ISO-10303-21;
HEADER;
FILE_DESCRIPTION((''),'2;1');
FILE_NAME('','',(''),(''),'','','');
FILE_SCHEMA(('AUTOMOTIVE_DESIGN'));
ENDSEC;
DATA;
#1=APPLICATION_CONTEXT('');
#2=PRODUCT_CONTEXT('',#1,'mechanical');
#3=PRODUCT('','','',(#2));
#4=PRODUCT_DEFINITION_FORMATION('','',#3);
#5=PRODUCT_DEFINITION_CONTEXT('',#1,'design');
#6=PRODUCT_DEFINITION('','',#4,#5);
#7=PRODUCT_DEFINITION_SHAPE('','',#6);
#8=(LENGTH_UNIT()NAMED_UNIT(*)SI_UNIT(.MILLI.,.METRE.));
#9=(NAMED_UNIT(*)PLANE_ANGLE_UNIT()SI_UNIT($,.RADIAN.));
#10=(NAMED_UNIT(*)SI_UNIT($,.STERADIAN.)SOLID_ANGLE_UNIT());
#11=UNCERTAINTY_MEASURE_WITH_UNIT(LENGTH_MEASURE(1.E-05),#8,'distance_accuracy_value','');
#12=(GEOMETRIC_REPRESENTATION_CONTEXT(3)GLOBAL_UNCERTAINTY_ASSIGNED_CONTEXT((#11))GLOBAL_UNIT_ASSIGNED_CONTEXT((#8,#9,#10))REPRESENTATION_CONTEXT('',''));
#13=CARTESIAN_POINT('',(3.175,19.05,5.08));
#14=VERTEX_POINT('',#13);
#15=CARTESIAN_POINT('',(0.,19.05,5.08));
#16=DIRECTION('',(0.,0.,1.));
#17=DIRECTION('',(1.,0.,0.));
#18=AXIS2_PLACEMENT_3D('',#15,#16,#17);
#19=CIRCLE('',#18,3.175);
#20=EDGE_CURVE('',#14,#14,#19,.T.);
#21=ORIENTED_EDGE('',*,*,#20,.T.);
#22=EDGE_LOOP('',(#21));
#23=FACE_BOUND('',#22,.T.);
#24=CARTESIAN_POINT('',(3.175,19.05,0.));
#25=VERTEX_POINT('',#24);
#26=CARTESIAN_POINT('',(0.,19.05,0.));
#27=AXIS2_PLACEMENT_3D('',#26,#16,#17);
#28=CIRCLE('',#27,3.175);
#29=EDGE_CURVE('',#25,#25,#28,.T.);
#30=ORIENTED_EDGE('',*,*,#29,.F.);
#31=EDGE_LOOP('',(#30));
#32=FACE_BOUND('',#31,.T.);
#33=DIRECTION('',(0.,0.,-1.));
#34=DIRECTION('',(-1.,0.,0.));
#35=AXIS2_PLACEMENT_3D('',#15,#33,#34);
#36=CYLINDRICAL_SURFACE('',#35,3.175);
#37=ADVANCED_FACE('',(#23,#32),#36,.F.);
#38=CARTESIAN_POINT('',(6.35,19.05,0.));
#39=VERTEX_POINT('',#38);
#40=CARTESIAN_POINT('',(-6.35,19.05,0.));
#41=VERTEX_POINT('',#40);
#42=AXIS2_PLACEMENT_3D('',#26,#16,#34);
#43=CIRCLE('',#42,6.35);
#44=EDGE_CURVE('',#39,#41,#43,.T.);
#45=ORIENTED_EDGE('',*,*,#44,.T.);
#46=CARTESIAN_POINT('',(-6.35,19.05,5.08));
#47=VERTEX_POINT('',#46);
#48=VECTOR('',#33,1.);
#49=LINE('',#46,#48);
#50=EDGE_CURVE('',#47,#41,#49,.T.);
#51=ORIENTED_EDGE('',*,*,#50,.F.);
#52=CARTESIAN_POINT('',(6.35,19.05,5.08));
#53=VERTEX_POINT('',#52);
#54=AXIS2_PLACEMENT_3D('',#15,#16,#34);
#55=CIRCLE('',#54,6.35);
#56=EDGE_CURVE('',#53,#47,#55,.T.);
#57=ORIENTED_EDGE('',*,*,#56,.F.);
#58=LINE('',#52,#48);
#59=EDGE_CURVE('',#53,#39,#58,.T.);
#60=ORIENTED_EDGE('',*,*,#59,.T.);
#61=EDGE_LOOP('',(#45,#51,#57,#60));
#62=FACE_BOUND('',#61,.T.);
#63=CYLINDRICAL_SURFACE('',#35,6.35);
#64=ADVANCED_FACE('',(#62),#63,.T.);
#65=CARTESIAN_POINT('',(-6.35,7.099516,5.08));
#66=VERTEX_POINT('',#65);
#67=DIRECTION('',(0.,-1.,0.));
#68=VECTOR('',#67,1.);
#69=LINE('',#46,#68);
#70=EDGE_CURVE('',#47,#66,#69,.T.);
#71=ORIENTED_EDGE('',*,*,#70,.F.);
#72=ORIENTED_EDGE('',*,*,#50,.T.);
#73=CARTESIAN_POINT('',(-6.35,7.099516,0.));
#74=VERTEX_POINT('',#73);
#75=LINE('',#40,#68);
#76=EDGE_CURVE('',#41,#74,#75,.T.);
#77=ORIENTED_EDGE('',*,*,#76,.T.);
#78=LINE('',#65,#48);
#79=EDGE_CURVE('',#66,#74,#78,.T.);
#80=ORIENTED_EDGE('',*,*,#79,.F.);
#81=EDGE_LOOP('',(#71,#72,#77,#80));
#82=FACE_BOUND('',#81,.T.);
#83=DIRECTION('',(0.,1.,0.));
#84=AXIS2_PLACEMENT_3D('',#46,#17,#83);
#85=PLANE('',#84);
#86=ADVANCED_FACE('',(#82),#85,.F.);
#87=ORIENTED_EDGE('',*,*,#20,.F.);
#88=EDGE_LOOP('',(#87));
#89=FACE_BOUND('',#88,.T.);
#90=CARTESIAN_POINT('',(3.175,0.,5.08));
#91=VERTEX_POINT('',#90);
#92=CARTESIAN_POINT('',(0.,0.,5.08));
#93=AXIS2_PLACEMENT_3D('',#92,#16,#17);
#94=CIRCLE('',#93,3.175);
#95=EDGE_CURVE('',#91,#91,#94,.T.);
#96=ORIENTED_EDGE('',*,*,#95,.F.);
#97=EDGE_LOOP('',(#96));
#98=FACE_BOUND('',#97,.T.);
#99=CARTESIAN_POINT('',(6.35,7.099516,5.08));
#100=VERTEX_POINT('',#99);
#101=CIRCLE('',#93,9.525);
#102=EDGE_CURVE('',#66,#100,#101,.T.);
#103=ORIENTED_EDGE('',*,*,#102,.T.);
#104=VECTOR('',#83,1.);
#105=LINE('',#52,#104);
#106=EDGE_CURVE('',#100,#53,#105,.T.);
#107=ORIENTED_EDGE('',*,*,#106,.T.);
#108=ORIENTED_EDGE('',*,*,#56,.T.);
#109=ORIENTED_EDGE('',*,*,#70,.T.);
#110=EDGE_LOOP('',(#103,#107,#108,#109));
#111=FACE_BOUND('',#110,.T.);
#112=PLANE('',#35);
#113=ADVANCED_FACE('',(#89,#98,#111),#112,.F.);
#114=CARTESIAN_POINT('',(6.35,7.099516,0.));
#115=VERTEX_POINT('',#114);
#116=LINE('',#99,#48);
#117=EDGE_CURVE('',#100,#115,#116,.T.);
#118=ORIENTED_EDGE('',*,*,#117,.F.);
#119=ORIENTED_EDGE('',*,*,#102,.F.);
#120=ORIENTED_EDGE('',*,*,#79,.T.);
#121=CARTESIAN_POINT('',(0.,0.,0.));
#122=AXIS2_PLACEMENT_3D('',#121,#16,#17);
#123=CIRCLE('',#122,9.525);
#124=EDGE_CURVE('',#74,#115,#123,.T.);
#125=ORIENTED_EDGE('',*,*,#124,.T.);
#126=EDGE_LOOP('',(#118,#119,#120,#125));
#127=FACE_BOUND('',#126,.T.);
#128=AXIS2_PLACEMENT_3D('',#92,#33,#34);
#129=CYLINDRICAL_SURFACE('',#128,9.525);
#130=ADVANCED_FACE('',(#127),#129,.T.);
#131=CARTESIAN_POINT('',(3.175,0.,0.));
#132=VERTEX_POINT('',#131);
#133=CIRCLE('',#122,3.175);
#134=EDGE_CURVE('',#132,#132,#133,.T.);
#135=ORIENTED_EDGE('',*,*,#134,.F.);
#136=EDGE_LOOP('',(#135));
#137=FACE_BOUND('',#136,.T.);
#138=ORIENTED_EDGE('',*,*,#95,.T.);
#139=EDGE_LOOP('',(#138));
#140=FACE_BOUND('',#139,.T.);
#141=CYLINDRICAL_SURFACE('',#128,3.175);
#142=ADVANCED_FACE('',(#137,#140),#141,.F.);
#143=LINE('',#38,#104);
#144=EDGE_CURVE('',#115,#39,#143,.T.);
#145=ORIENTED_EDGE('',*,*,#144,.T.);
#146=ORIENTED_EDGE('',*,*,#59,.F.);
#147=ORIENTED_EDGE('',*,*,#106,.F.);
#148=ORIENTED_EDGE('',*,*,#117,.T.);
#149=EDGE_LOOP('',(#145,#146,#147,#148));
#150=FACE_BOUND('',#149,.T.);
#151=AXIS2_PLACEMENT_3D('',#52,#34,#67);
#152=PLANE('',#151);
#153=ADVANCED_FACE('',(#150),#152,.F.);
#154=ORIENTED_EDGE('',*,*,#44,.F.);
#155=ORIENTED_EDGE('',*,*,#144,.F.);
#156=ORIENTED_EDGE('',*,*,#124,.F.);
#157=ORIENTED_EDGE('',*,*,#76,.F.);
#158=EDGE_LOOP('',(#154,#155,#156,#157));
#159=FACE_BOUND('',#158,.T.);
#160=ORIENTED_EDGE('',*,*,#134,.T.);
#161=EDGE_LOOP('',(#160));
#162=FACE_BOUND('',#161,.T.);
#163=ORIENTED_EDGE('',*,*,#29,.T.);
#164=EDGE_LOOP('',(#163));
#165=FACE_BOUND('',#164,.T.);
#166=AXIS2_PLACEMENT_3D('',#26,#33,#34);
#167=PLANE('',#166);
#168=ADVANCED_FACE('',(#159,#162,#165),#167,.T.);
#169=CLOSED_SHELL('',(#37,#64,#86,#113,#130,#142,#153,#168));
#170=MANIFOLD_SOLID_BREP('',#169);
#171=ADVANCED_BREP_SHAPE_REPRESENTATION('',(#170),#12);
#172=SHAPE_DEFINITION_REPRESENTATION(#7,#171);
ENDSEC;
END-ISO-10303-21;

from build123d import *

# Parameters (mm, degrees)
SKETCH1_R           = 3.175
BOSS_EXTRUDE1_DEPTH = 5.08


with BuildPart() as part:
    # Sketch1 → Boss-Extrude1 (new body)
    with BuildSketch(Plane.XY):
        with BuildLine():
            Line((-6.35, 19.05), (-6.35, 7.099515829))
            ThreePointArc((-6.35, 7.099515829), (0, -9.525), (6.35, 7.099515829))
            Line((6.35, 7.099515829), (6.35, 19.05))
            ThreePointArc((6.35, 19.05), (0, 25.4), (-6.35, 19.05))
        make_face()
        with Locations((0, 19.05)):
            Circle(SKETCH1_R, mode=Mode.SUBTRACT)
        Circle(SKETCH1_R, mode=Mode.SUBTRACT)
    extrude(amount=BOSS_EXTRUDE1_DEPTH)


solid = part.part
